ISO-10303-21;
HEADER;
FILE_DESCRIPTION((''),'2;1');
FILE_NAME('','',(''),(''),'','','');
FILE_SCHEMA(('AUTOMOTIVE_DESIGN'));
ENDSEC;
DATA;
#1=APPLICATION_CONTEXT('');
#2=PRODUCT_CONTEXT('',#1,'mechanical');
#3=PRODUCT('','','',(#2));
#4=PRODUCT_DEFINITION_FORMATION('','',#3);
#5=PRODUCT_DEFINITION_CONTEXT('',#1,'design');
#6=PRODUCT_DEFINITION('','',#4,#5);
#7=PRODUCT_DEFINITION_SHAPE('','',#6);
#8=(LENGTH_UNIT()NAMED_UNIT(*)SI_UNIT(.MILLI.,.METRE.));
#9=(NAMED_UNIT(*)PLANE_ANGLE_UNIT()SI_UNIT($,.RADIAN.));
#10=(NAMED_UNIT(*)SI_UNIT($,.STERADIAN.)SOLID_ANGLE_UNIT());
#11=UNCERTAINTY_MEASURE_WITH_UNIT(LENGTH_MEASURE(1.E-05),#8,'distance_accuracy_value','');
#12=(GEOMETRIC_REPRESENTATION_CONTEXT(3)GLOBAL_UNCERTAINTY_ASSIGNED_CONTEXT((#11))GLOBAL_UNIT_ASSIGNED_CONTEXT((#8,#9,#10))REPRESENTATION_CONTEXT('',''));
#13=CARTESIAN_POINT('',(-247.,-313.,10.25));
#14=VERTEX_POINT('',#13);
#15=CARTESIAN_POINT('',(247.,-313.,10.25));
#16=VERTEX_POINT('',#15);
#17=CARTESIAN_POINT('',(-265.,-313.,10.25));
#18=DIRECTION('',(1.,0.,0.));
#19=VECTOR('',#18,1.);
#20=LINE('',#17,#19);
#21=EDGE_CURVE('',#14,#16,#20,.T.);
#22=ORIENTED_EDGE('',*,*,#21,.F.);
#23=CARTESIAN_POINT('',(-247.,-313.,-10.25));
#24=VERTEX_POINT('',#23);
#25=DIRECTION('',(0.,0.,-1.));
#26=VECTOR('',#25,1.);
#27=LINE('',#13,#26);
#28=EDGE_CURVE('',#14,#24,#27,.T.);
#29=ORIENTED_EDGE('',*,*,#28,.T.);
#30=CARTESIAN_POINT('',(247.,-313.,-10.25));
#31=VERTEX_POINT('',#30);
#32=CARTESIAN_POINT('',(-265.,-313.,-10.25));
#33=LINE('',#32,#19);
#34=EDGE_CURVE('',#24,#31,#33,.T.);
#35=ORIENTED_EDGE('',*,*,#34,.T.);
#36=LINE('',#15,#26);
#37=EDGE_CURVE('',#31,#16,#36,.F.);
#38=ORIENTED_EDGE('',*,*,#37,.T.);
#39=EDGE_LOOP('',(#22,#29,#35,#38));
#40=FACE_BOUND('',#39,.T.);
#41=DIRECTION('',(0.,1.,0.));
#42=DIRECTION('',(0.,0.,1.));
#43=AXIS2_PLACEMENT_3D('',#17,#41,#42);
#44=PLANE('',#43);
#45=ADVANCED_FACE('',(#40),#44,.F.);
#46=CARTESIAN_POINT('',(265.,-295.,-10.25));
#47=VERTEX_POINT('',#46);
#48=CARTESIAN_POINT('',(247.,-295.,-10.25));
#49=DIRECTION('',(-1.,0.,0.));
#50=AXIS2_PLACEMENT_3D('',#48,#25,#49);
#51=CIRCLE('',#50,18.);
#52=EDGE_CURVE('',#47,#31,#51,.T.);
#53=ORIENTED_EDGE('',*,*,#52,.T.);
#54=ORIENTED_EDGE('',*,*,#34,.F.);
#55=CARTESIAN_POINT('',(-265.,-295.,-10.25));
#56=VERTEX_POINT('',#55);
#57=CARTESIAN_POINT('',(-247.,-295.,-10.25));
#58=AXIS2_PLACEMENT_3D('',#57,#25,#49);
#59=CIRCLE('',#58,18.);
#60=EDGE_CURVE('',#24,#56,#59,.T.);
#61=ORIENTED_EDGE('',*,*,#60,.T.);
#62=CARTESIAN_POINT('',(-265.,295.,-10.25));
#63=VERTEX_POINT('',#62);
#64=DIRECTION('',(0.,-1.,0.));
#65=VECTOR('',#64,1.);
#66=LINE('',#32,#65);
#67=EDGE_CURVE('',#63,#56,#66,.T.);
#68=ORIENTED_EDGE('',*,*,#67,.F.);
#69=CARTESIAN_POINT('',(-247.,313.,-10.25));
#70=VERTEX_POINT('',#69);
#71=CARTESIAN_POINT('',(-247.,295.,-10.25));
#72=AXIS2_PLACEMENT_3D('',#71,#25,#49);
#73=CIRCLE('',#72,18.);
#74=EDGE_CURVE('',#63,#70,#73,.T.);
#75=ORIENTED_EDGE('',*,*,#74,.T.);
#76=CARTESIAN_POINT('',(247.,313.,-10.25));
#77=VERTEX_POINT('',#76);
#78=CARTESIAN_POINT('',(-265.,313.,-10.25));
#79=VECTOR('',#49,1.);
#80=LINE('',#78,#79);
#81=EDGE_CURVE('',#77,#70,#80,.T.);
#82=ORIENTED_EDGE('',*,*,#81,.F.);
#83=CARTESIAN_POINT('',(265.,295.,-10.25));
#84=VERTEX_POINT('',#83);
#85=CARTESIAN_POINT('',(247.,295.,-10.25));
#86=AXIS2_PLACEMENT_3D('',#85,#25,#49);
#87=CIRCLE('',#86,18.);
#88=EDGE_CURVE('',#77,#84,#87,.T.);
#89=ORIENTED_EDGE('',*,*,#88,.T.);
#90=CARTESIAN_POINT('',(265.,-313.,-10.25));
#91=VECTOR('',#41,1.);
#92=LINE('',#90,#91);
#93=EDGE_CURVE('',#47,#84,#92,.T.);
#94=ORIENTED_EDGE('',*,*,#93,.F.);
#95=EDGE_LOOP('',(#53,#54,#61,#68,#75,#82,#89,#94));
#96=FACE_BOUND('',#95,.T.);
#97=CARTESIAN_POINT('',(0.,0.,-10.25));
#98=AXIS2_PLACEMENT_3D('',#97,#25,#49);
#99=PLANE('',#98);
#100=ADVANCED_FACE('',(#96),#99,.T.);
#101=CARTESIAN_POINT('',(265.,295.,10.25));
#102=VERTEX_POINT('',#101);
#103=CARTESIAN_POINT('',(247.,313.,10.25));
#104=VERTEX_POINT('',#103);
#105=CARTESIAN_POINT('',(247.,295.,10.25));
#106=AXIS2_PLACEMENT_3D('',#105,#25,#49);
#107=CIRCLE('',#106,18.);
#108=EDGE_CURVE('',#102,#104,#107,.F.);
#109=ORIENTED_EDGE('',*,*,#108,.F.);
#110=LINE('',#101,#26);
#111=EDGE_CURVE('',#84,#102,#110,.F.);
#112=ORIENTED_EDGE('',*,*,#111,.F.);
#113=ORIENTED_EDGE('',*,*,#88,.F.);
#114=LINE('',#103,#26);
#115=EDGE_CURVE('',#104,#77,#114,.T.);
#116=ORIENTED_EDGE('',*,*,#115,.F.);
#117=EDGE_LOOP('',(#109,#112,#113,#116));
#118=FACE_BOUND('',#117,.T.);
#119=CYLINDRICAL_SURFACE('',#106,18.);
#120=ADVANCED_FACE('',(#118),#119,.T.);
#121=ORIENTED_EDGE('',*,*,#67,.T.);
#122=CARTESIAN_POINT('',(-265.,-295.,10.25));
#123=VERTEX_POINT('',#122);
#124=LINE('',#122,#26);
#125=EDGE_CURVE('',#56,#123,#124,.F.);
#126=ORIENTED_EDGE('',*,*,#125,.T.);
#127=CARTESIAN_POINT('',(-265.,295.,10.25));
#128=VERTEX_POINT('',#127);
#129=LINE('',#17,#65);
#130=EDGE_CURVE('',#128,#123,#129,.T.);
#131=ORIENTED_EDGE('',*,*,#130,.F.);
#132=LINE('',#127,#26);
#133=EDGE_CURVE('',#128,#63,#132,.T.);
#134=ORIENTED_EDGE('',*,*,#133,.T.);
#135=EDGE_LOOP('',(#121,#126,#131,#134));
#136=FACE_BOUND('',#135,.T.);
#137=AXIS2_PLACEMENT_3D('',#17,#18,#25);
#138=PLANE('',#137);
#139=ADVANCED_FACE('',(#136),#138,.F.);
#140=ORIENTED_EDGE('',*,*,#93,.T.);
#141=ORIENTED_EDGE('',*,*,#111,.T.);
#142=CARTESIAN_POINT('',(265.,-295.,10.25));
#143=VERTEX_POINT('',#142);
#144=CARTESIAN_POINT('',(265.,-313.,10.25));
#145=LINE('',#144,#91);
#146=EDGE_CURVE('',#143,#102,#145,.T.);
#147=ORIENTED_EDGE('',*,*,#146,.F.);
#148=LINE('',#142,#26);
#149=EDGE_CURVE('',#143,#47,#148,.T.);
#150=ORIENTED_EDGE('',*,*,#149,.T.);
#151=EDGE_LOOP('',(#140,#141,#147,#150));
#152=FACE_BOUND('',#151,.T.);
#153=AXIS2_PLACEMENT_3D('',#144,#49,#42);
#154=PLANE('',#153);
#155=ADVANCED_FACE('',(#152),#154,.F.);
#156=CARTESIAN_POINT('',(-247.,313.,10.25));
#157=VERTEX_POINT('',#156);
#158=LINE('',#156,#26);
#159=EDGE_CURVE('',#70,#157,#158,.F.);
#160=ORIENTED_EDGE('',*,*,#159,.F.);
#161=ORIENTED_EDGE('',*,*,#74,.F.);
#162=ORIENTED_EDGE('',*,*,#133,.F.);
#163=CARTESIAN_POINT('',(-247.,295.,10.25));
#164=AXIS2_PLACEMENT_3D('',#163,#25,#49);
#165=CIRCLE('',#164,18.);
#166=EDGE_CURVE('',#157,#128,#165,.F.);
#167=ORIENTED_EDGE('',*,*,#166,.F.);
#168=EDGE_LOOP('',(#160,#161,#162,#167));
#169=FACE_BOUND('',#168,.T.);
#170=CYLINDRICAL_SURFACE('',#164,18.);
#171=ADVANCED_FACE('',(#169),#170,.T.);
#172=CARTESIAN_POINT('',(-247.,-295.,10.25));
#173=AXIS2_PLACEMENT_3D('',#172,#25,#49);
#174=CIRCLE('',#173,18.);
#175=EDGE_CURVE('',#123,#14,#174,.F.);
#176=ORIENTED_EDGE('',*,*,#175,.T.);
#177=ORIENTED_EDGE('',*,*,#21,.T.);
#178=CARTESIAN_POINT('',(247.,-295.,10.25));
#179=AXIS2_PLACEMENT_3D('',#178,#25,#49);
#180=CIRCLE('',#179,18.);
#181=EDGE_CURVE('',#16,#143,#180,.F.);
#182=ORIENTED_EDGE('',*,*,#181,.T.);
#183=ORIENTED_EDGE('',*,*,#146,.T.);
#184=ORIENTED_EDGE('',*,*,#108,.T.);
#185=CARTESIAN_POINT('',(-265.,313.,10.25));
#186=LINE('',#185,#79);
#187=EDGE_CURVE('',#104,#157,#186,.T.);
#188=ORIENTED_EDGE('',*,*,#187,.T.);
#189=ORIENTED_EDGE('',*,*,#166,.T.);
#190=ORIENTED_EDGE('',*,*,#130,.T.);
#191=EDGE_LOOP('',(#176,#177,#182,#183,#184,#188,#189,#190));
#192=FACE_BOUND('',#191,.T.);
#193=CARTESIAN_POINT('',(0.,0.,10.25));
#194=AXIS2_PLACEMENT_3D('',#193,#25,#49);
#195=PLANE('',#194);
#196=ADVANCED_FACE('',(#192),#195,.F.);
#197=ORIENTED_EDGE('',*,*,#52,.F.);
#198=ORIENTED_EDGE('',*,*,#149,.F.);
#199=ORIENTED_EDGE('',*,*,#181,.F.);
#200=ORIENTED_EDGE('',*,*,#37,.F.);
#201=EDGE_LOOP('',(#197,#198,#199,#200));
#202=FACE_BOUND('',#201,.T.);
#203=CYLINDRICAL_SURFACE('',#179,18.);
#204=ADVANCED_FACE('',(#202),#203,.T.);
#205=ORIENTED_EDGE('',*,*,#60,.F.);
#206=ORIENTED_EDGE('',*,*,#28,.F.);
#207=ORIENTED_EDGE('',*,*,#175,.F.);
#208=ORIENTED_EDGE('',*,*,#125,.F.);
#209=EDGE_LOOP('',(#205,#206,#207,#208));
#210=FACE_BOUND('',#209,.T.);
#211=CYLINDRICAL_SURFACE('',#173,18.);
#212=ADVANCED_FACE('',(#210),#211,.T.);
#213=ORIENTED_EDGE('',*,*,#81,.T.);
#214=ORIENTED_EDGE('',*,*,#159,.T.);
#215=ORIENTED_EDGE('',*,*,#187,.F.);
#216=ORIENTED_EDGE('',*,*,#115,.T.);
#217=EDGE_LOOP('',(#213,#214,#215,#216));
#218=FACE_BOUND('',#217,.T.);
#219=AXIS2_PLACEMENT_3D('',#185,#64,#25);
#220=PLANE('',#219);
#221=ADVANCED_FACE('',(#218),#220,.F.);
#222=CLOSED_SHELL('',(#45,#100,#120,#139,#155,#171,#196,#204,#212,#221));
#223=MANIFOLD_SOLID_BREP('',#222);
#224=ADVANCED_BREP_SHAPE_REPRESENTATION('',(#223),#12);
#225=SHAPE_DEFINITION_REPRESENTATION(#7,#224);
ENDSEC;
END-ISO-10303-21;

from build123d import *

# Parameters (mm, degrees)
SKETCH_1_W      = 530
SKETCH_1_H      = 626
EXTRUDE_1_DEPTH = 10.25
FILLET_1_R      = 18


with BuildPart() as part:
    # Эскиз1 → Бобышка-Вытянуть1 (new, symmetric)
    with BuildSketch(Plane.XY):
        Rectangle(SKETCH_1_W, SKETCH_1_H)
    extrude(amount=EXTRUDE_1_DEPTH, both=True)

    # Скругление1
    fillet_1_edges = [part.edges().sort_by_distance(p)[0] for p in [
        (265, -313, 0),
        (-265, -313, 0),
        (-265, 313, 0),
        (265, 313, 0),
    ]]
    fillet(fillet_1_edges, radius=FILLET_1_R)


solid = part.part
